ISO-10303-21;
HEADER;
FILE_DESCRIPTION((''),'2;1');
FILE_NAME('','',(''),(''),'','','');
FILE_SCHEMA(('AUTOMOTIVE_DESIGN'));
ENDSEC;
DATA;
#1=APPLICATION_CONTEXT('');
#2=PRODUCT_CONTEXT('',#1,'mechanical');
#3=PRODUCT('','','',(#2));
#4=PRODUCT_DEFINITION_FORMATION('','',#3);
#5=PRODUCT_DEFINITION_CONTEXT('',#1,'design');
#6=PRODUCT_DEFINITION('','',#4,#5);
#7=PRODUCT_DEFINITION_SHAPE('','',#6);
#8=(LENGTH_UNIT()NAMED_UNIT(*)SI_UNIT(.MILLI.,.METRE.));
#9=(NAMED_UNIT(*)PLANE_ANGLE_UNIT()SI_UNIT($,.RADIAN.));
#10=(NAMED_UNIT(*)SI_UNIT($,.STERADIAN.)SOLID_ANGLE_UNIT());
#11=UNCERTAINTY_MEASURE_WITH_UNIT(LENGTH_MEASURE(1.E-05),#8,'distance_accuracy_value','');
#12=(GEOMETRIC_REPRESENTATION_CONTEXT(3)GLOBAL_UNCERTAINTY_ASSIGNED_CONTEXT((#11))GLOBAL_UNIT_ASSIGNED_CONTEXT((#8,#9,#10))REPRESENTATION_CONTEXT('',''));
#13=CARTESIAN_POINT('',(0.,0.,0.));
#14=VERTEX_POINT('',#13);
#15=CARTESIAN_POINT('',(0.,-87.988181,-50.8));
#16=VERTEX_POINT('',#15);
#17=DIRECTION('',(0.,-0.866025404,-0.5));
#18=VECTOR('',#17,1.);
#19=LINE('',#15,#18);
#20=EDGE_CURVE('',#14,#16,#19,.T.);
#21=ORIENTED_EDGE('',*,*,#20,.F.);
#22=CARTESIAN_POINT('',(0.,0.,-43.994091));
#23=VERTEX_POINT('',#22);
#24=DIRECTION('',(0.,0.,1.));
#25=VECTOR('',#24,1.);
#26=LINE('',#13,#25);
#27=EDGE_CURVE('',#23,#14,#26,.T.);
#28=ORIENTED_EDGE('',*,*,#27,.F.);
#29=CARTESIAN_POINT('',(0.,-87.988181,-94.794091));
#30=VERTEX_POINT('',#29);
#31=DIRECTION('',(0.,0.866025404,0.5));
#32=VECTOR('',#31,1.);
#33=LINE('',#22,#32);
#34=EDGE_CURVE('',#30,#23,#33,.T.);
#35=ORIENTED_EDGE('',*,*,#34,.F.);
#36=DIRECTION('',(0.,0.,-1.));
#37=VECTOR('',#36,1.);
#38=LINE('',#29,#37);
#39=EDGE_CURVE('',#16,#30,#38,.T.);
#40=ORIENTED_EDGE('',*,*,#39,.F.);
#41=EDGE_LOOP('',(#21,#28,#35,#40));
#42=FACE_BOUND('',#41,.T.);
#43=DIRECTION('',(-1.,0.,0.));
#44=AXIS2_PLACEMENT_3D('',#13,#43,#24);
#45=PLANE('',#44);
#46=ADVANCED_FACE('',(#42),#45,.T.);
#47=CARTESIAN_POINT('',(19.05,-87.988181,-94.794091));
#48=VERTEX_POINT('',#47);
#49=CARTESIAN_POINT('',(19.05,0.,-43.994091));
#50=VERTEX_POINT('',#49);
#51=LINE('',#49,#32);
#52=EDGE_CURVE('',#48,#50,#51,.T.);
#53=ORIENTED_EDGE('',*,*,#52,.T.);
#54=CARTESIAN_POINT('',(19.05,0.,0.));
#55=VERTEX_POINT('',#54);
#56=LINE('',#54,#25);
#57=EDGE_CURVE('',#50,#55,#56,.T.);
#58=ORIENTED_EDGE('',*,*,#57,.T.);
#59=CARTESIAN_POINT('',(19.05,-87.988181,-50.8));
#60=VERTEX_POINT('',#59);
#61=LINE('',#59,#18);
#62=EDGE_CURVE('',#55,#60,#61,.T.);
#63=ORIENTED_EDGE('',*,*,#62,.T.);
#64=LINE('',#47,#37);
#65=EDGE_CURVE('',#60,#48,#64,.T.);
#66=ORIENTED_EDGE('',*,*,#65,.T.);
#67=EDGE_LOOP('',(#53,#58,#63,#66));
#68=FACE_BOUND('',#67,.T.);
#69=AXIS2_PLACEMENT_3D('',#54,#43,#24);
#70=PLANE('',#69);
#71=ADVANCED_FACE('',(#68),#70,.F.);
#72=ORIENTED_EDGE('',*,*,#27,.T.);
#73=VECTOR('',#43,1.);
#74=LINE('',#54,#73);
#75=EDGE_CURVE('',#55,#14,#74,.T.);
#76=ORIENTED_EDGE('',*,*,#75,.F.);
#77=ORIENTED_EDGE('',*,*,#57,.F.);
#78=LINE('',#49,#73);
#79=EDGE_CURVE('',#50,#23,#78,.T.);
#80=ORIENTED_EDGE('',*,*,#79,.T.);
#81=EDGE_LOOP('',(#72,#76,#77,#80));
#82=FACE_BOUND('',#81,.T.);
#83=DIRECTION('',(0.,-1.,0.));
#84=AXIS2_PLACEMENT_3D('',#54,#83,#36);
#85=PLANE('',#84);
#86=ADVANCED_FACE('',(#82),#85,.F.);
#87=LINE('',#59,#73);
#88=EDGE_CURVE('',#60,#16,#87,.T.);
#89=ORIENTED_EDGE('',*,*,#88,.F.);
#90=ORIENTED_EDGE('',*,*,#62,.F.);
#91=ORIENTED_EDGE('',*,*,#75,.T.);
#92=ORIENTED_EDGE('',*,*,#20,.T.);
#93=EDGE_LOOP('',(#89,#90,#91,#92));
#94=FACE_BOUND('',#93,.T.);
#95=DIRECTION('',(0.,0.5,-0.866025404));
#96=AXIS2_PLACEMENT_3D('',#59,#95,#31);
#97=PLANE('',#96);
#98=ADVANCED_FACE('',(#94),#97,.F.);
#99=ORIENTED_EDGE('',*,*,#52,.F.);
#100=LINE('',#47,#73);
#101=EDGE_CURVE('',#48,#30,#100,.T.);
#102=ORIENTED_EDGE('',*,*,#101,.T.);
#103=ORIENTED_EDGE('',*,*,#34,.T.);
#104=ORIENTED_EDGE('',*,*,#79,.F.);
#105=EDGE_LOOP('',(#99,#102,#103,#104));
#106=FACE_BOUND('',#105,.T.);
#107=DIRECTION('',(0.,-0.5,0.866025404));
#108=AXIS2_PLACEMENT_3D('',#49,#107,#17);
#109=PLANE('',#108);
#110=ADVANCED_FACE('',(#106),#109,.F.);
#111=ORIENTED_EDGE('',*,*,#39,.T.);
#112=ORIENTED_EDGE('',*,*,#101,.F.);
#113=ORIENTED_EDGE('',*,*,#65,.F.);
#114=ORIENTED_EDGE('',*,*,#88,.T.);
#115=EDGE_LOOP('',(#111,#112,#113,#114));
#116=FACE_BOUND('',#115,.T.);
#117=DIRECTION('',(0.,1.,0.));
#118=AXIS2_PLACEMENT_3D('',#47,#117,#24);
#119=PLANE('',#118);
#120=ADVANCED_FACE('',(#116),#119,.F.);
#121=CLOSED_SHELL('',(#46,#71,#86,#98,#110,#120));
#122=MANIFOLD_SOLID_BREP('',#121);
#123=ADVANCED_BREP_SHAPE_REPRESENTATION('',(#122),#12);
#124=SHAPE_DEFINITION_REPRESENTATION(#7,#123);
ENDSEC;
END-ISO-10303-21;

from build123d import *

# Parameters (mm, degrees)
BOSS_EXTRUDE1_DEPTH = 19.05


with BuildPart() as part:
    # Sketch2 → Boss-Extrude1 (new body)
    with BuildSketch(Plane(origin=(0, 0, 0), x_dir=(0, 0, -1), z_dir=(1, 0, 0))):
        Polygon((0, 0), (43.994090512, 0), (94.794090512, -87.988181024), (50.8, -87.988181024), align=None)
    extrude(amount=BOSS_EXTRUDE1_DEPTH)


solid = part.part
